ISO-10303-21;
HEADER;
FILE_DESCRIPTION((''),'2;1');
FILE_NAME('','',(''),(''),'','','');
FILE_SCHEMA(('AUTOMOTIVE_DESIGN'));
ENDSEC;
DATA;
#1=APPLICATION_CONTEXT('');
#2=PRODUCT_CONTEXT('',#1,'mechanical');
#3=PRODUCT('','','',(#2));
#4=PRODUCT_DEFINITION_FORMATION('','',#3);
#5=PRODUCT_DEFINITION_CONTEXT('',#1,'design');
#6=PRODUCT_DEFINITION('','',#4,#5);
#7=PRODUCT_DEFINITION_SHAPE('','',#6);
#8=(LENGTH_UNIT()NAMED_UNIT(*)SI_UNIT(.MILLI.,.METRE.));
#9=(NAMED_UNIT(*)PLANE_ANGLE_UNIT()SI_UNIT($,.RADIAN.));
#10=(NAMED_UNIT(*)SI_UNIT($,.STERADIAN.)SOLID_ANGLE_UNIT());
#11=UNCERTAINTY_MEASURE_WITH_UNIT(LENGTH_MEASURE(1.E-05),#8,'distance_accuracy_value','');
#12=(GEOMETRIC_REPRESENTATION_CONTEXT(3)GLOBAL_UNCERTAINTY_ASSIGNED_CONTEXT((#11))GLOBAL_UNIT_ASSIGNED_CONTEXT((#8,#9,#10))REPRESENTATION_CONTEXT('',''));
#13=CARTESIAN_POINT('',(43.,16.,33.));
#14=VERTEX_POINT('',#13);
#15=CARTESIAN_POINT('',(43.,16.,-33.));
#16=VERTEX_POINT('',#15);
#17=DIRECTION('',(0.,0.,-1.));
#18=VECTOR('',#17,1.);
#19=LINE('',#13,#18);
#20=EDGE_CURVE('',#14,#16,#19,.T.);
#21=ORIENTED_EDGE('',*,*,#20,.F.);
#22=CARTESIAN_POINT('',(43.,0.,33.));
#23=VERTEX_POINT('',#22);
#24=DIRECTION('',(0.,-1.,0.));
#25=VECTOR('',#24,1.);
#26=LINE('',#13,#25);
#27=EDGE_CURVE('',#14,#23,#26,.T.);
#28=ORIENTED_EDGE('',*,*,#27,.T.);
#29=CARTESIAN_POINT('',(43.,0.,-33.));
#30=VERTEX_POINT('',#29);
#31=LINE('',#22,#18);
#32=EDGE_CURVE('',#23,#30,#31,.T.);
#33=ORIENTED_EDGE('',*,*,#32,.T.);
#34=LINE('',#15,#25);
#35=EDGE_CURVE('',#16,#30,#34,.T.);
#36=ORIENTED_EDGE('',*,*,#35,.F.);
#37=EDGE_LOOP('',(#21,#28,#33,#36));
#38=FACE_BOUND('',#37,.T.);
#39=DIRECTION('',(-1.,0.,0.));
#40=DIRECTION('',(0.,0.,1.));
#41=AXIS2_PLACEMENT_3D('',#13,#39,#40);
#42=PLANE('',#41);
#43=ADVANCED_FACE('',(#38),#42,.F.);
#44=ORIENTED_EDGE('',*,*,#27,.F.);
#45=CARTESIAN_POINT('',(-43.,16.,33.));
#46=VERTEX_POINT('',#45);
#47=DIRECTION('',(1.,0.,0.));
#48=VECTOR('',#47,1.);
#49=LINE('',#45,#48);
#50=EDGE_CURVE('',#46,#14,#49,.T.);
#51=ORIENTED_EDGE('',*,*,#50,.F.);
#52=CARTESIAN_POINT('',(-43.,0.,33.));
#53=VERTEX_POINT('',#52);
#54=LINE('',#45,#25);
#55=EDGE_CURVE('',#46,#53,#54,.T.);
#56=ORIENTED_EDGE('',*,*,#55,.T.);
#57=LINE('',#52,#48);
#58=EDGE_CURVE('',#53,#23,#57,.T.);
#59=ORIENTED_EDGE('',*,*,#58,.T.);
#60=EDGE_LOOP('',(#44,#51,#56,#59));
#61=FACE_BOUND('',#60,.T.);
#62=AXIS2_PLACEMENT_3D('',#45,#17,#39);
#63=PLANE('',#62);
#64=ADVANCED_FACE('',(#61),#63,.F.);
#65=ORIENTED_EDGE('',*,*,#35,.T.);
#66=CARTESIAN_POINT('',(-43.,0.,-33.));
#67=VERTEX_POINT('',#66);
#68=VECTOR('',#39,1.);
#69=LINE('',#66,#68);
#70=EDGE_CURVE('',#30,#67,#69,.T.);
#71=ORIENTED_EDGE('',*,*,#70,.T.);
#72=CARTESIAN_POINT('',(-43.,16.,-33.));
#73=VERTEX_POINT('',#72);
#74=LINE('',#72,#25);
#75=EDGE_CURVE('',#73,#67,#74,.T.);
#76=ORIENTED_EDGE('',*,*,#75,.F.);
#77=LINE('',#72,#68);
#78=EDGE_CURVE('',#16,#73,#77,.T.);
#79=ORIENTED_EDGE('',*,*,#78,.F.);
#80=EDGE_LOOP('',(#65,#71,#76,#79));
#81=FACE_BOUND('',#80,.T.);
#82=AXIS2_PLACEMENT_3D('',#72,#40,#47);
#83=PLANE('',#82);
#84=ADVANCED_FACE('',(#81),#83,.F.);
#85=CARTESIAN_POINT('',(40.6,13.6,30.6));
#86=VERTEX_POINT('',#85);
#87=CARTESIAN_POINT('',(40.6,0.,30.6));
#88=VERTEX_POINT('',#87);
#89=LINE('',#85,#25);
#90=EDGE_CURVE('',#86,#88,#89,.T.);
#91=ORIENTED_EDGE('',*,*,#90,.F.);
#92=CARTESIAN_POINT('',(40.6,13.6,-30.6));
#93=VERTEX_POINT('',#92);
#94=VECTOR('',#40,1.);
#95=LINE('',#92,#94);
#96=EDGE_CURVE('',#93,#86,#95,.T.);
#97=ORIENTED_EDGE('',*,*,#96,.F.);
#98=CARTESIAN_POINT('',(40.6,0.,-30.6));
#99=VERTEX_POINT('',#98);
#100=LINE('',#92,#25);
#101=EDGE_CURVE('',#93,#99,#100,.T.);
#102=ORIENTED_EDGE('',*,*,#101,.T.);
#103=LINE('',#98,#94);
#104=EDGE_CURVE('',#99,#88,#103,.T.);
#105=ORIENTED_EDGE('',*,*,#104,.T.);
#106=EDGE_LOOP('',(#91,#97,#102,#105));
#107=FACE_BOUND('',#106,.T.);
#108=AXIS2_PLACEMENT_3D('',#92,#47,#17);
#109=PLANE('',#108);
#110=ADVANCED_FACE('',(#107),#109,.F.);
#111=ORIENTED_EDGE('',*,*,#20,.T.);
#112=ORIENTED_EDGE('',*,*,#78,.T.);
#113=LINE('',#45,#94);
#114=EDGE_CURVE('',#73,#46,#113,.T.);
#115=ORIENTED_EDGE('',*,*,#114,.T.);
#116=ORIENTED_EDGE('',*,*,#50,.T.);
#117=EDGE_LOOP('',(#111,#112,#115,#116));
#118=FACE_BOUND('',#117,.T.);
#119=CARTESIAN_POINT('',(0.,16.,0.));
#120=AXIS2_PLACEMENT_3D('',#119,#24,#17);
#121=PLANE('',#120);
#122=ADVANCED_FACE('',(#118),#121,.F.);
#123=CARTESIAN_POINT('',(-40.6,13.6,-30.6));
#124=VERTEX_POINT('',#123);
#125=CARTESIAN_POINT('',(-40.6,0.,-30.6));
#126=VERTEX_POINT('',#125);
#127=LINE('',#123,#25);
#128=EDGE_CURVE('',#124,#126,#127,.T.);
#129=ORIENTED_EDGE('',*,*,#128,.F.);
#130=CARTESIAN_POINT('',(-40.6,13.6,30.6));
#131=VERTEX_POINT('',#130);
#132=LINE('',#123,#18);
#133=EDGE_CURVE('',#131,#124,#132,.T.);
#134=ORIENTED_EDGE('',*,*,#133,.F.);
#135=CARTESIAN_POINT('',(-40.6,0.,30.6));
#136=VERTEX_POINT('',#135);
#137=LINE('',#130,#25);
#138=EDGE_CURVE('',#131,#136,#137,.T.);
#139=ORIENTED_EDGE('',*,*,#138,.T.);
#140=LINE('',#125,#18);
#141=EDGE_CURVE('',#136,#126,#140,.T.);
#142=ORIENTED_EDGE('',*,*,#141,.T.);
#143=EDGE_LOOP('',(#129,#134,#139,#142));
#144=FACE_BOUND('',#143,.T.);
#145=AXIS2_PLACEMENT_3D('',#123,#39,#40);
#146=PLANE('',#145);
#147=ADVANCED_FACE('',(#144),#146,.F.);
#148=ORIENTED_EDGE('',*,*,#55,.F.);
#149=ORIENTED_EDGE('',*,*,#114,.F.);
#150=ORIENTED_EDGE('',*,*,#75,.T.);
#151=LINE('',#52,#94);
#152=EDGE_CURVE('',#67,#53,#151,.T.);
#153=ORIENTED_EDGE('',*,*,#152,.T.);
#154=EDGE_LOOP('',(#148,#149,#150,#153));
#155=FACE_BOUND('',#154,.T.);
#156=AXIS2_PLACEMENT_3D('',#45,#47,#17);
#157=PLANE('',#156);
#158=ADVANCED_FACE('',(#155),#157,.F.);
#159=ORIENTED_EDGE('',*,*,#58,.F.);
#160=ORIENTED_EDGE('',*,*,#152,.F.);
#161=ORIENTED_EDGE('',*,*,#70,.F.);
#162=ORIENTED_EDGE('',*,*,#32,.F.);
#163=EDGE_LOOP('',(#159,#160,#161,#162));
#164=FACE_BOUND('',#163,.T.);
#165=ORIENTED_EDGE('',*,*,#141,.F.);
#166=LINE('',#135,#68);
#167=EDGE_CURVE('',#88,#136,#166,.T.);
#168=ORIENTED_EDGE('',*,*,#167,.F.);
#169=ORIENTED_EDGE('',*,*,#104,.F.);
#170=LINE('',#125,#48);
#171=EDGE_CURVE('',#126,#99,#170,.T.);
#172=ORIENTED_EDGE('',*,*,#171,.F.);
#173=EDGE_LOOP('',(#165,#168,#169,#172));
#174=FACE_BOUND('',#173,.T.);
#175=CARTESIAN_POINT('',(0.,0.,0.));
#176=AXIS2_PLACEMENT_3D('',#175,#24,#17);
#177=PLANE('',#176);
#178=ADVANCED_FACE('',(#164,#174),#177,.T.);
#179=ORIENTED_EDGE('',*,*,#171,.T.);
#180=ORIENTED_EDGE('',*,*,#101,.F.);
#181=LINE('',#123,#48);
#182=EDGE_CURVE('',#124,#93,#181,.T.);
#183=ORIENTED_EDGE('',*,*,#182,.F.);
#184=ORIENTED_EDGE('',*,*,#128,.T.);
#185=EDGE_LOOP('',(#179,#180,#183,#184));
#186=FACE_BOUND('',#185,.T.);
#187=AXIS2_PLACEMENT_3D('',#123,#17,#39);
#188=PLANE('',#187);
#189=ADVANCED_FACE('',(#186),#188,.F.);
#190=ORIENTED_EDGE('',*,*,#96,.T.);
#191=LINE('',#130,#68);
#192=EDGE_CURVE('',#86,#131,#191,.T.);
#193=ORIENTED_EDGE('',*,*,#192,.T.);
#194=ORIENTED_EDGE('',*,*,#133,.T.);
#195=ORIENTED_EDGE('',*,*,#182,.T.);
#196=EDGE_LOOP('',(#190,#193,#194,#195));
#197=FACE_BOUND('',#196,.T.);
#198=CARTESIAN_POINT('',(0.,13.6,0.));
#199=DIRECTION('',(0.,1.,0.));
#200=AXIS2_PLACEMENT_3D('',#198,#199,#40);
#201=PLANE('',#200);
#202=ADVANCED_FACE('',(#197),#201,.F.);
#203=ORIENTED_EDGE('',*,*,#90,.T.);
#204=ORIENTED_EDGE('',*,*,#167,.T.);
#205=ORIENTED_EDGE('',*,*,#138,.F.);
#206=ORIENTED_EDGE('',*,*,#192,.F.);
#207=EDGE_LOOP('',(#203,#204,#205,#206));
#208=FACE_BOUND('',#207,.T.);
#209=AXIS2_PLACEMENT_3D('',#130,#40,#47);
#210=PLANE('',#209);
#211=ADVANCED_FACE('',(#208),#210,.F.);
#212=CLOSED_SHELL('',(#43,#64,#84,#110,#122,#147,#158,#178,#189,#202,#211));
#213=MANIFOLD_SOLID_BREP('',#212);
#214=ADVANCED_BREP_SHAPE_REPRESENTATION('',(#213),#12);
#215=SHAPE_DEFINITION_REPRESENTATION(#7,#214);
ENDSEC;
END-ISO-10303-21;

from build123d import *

# Parameters (mm, degrees)
SKETCH1_W           = 86
SKETCH1_H           = 66
BOSS_EXTRUDE1_DEPTH = 16
SKETCH2_W           = 81.2
SKETCH2_H           = 61.2
CUT_EXTRUDE1_DEPTH  = 13.6


with BuildPart() as part:
    # Sketch1 → Boss-Extrude1 (new body)
    with BuildSketch(Plane(origin=(0, 0, 0), x_dir=(1, 0, 0), z_dir=(0, 1, 0))):
        Rectangle(SKETCH1_W, SKETCH1_H)
    extrude(amount=BOSS_EXTRUDE1_DEPTH)

    # Sketch2 → Cut-Extrude1 (cut)
    with BuildSketch(Plane.XZ):
        Rectangle(SKETCH2_W, SKETCH2_H)
    extrude(amount=-CUT_EXTRUDE1_DEPTH, mode=Mode.SUBTRACT)


solid = part.part
